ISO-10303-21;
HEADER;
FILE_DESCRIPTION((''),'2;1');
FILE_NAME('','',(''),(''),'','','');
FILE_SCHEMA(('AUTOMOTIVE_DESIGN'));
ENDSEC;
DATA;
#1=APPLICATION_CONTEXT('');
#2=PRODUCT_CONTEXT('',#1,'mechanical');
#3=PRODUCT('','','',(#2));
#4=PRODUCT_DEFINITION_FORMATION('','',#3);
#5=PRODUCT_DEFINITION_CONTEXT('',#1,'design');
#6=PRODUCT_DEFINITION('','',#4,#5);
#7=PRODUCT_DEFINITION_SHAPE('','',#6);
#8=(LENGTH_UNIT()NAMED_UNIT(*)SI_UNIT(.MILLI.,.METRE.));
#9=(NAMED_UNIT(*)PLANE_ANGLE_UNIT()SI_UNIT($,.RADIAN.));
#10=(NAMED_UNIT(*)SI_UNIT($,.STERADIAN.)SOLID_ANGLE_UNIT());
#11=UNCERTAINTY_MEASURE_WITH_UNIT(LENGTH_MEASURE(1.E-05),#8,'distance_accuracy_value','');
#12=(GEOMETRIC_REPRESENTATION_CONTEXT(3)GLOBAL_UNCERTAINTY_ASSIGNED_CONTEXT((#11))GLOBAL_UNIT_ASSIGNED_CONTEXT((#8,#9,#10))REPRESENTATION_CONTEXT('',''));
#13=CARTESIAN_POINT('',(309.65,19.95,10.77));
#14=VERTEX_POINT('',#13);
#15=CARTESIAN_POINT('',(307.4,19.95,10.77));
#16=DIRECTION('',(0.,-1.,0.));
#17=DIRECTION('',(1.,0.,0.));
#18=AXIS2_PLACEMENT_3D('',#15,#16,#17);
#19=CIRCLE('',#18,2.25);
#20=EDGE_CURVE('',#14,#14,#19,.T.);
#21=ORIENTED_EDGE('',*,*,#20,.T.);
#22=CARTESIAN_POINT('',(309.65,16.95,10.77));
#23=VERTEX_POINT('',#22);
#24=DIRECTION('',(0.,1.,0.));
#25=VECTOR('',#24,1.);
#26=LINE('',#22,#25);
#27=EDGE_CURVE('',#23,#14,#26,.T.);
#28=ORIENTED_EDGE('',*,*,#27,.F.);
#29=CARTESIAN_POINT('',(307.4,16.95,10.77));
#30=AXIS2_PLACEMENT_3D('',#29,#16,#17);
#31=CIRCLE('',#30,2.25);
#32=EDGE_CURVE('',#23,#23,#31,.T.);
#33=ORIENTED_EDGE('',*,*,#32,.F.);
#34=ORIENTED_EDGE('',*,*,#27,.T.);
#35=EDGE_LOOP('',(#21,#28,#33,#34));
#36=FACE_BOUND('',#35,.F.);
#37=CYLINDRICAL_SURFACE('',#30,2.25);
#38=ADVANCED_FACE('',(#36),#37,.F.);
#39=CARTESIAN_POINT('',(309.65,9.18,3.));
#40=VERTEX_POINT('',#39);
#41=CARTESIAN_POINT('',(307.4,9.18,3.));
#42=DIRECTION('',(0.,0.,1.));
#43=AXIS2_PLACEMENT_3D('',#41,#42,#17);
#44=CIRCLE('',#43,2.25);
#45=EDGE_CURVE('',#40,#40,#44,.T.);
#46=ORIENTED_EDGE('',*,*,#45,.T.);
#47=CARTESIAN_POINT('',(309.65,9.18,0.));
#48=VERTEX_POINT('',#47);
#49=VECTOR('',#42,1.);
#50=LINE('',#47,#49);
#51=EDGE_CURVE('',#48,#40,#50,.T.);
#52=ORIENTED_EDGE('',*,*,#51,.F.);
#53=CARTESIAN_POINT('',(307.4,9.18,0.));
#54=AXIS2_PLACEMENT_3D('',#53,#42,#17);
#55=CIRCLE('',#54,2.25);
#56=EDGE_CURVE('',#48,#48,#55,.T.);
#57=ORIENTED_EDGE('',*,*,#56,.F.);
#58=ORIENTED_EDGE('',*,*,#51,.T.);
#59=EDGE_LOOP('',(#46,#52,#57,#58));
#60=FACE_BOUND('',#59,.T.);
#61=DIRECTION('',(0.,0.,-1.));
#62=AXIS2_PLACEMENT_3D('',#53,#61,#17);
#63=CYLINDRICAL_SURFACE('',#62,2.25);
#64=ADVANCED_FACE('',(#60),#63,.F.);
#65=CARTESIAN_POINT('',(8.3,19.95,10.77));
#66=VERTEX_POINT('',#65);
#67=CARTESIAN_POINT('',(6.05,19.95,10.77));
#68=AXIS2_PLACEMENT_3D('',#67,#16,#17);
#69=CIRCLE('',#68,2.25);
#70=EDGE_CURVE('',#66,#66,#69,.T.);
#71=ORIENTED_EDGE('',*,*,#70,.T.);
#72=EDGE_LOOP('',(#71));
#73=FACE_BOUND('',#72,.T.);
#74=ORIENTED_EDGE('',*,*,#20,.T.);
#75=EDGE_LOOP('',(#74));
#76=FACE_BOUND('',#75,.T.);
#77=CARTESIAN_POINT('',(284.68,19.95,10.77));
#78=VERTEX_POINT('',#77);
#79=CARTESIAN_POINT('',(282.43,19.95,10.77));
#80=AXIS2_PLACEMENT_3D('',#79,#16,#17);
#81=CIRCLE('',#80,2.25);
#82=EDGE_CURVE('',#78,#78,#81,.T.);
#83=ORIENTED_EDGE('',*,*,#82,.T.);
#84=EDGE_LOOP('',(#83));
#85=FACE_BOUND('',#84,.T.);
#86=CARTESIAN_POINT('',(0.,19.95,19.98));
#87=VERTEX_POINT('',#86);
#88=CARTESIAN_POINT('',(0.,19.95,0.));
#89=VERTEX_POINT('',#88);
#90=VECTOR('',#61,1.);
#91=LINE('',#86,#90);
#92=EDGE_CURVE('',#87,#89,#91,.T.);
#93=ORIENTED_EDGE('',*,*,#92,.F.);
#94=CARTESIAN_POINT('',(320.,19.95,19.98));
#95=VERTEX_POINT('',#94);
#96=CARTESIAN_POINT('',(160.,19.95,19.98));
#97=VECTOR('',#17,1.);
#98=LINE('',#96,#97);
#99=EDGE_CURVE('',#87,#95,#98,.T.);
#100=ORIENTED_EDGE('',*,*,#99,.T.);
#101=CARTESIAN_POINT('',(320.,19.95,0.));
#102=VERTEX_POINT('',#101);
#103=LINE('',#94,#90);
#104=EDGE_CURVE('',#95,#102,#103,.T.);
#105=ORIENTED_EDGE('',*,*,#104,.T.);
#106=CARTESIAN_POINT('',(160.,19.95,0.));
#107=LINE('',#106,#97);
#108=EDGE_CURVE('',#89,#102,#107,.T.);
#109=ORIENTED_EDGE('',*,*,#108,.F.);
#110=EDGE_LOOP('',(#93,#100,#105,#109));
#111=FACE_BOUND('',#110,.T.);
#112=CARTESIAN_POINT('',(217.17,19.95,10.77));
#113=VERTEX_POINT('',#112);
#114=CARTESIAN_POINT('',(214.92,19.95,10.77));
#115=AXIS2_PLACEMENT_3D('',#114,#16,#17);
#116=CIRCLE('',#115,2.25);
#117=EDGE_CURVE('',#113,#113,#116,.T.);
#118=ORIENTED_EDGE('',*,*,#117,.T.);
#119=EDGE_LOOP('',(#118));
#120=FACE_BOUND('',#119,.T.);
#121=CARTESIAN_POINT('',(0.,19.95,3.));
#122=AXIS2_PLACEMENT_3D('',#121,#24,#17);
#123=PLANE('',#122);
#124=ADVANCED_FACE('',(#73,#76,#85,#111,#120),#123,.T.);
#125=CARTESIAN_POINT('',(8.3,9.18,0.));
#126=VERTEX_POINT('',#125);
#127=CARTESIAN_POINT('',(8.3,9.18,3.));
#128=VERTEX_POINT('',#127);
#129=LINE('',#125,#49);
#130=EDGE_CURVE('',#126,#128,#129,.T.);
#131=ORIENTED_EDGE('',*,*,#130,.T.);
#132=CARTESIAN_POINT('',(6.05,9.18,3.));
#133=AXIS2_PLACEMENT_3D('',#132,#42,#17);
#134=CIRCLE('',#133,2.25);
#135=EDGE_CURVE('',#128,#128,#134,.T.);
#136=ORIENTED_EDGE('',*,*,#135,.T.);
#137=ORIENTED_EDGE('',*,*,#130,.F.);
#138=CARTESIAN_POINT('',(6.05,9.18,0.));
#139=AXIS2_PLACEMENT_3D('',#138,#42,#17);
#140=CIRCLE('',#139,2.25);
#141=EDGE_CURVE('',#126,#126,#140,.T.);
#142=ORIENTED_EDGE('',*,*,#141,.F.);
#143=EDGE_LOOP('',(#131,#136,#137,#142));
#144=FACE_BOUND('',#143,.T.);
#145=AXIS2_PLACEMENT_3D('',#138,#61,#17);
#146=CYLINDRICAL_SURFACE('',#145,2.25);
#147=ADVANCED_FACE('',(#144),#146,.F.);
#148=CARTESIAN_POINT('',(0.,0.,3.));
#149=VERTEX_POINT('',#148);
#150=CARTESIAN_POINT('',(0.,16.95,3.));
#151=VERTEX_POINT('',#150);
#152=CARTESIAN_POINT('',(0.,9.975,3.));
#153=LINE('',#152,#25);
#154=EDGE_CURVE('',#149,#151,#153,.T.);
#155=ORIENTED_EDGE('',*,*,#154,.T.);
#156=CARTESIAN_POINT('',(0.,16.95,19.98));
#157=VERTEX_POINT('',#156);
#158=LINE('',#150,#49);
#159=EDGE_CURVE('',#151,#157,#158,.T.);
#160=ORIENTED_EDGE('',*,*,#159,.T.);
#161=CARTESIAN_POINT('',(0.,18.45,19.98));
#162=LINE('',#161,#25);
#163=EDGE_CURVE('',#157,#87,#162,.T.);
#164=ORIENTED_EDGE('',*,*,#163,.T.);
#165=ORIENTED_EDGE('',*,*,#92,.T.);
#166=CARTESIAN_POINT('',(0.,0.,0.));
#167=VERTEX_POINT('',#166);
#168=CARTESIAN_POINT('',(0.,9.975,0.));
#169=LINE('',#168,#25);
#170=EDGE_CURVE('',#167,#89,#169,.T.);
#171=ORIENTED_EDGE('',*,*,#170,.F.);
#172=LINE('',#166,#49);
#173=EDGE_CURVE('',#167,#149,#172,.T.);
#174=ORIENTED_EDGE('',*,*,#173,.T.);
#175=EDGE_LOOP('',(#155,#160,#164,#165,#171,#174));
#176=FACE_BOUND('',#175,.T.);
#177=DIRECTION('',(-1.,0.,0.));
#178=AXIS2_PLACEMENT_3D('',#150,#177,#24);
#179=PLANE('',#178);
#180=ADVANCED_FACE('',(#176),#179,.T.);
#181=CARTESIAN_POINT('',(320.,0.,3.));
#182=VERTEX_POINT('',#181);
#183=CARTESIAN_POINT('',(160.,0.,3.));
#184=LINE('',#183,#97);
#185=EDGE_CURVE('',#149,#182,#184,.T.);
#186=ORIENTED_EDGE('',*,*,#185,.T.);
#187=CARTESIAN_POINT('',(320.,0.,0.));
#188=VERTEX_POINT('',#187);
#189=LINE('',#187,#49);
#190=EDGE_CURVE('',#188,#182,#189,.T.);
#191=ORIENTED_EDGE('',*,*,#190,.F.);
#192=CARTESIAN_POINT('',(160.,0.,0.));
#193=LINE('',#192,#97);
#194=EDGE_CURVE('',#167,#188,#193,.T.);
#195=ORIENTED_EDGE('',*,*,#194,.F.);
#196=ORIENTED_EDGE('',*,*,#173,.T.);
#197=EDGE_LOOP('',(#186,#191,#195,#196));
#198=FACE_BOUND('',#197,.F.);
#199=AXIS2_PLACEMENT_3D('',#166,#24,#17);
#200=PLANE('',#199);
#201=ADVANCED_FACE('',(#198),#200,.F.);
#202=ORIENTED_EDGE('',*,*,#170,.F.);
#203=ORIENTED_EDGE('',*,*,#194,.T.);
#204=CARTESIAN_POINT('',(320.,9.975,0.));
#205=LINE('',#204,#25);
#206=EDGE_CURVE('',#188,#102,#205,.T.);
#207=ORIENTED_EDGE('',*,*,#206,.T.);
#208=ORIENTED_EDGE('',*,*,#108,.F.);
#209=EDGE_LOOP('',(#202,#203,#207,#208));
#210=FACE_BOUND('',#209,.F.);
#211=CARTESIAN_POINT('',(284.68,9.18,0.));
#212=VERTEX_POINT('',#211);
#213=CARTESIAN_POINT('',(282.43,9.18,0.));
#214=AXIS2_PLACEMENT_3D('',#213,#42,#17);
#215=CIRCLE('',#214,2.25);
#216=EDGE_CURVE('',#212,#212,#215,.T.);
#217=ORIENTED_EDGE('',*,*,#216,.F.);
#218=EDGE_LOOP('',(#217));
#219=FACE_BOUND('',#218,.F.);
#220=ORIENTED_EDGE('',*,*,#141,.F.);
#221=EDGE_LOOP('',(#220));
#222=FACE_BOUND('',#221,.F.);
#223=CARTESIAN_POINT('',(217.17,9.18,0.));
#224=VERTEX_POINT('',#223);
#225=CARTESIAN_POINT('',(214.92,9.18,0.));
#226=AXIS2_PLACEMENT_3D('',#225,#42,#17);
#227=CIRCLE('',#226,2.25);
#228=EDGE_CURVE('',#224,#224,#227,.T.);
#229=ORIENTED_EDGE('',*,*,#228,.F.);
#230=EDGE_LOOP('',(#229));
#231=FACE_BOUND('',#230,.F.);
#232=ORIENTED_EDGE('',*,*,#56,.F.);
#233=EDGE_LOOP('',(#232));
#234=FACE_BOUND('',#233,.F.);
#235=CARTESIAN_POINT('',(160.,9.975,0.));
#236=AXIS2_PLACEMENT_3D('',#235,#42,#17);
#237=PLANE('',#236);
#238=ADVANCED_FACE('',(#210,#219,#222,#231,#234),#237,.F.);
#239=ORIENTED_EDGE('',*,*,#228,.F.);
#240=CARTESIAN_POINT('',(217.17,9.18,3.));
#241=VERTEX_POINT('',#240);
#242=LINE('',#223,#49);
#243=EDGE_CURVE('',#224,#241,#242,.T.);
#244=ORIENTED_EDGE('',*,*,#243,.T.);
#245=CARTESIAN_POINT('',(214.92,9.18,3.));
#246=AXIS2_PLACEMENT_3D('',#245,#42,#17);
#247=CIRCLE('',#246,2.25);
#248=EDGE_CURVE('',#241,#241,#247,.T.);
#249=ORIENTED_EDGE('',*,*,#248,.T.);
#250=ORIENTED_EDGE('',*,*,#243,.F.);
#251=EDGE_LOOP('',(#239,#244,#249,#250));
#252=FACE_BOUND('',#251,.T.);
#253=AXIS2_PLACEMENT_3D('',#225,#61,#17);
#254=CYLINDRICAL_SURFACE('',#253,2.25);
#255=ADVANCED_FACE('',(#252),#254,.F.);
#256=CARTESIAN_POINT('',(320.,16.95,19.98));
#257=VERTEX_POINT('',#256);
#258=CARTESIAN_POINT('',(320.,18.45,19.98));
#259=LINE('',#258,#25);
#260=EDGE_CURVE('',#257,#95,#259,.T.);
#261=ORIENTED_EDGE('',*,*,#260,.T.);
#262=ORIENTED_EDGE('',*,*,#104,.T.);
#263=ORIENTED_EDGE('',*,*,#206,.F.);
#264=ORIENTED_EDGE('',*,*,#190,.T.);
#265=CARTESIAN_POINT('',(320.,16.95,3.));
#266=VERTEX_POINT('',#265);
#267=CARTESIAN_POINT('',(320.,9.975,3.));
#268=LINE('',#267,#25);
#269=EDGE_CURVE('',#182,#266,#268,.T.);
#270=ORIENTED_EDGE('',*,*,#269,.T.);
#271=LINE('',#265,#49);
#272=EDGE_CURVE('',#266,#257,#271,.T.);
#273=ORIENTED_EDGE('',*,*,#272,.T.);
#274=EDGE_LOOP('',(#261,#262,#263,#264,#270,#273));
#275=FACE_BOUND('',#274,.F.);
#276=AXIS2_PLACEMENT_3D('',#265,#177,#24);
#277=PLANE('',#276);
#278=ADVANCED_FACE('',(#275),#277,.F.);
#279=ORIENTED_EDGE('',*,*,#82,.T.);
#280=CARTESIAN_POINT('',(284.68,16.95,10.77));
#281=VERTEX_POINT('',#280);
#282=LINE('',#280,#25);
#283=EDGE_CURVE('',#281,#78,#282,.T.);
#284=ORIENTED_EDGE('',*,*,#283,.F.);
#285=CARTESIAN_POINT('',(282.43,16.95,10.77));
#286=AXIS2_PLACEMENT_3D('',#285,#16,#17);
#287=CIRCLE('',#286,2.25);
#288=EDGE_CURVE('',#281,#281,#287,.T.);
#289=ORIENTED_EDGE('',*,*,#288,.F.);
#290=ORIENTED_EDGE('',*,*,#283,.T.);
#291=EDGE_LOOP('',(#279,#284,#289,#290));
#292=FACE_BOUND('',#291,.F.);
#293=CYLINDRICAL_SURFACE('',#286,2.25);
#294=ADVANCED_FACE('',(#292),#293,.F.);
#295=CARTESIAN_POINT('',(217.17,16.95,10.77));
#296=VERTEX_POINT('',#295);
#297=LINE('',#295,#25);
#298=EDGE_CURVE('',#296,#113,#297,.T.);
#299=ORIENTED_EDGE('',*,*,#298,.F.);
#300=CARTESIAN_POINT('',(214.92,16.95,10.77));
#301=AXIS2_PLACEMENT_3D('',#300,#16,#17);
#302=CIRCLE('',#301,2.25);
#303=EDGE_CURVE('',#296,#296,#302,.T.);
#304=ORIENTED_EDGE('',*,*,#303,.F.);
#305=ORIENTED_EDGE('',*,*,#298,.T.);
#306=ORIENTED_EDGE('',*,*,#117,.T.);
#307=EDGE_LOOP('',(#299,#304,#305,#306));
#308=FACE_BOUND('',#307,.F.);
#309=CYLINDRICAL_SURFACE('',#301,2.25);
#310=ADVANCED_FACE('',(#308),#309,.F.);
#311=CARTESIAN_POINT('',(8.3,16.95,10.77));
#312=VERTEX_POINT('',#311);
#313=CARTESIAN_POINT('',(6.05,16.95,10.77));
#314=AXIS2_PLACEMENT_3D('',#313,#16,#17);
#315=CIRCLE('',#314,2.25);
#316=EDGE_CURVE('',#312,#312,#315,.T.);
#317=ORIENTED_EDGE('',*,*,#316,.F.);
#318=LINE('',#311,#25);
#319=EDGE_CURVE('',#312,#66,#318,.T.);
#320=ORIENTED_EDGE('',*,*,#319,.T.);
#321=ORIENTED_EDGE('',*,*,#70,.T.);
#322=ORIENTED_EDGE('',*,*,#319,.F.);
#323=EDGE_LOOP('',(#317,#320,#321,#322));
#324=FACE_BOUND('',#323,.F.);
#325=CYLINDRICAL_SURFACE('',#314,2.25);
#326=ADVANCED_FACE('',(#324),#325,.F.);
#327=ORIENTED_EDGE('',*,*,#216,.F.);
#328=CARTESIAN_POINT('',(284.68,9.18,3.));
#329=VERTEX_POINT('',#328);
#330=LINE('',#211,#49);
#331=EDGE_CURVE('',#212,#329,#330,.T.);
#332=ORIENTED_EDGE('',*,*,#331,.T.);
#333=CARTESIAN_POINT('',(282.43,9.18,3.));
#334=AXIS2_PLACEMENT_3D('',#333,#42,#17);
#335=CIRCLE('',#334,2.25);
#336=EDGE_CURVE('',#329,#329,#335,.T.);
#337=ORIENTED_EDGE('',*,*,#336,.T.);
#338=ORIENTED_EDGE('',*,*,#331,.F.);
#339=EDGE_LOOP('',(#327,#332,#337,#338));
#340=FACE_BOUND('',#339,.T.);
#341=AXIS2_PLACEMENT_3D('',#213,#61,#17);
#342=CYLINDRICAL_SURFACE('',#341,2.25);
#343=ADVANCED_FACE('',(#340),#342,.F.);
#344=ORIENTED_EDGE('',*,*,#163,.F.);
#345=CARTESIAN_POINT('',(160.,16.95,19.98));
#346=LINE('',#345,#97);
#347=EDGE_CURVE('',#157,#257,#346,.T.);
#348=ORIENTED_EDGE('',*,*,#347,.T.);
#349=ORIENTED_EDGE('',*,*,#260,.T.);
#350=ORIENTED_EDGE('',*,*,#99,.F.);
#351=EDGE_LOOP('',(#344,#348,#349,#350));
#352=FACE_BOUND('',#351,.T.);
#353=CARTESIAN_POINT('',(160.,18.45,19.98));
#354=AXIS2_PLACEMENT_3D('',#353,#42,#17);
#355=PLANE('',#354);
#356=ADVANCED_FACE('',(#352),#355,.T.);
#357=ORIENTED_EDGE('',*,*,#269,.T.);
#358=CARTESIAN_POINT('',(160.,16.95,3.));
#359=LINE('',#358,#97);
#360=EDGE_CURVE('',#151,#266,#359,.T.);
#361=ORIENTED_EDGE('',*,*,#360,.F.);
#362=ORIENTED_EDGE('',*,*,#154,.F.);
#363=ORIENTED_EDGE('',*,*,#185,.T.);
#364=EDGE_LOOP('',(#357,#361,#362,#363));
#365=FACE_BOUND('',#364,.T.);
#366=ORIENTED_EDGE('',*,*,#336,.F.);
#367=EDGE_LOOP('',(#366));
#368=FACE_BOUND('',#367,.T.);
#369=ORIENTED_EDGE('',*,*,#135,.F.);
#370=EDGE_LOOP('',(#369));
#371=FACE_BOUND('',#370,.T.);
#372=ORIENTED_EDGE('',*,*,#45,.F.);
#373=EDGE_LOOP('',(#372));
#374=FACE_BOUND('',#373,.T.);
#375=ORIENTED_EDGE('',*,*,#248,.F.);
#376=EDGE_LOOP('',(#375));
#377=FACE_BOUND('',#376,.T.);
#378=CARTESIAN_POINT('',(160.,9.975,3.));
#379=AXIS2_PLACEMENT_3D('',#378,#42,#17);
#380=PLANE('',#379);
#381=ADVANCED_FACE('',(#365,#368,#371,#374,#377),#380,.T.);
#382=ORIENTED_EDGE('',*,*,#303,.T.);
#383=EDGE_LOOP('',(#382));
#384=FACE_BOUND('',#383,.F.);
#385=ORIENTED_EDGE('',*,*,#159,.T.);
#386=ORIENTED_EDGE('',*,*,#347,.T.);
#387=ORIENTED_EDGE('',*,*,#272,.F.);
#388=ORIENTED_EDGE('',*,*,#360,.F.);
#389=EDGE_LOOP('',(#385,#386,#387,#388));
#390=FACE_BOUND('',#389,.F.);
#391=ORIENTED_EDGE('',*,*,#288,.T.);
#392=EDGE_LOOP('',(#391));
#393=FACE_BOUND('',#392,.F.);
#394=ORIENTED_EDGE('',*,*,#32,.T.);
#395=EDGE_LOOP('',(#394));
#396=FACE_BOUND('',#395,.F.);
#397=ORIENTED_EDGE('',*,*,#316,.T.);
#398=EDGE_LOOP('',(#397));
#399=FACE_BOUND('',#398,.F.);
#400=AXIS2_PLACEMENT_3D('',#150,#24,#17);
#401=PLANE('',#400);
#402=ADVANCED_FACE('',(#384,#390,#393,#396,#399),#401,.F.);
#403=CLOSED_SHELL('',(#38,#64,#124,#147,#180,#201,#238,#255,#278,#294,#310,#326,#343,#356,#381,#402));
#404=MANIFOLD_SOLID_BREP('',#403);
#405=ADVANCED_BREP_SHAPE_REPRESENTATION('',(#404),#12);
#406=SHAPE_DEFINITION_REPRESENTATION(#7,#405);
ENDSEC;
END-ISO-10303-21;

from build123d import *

# Parameters (mm, degrees)
F0_W     = 320
F0_H     = 19.95
F0_R     = 2.25
F1_DEPTH = 3
F2_W     = 320
F2_H     = 3
F3_DEPTH = 16.98
F6_R     = 2.25
F7_DEPTH = 3.001


with BuildPart() as f1:
    # F0 (on Top) → F1 (new body)
    with BuildSketch(Plane.XY):
        with Locations((160, 9.975)):
            Rectangle(F0_W, F0_H)
        with Locations((6.05, 9.18)):
            Circle(F0_R, mode=Mode.SUBTRACT)
        with Locations((214.92, 9.18)):
            Circle(F0_R, mode=Mode.SUBTRACT)
        with Locations((282.43, 9.18)):
            Circle(F0_R, mode=Mode.SUBTRACT)
        with Locations((307.4, 9.18)):
            Circle(F0_R, mode=Mode.SUBTRACT)
    extrude(amount=F1_DEPTH)

    # F2 (on face) → F3 (join)
    with BuildSketch(Plane.XY.offset(3)):
        with Locations((160, 18.45)):
            Rectangle(F2_W, F2_H)
    extrude(amount=F3_DEPTH)

    # F6 (on face) → F7 (cut, through all)
    with BuildSketch(Plane.XZ.offset(-16.95)):
        with Locations((307.4, 10.77)):
            Circle(F6_R)
        with Locations((282.43, 10.77)):
            Circle(F6_R)
        with Locations((214.92, 10.77)):
            Circle(F6_R)
        with Locations((6.05, 10.77)):
            Circle(F6_R)
    extrude(amount=-F7_DEPTH, mode=Mode.SUBTRACT)


solid = f1.part
